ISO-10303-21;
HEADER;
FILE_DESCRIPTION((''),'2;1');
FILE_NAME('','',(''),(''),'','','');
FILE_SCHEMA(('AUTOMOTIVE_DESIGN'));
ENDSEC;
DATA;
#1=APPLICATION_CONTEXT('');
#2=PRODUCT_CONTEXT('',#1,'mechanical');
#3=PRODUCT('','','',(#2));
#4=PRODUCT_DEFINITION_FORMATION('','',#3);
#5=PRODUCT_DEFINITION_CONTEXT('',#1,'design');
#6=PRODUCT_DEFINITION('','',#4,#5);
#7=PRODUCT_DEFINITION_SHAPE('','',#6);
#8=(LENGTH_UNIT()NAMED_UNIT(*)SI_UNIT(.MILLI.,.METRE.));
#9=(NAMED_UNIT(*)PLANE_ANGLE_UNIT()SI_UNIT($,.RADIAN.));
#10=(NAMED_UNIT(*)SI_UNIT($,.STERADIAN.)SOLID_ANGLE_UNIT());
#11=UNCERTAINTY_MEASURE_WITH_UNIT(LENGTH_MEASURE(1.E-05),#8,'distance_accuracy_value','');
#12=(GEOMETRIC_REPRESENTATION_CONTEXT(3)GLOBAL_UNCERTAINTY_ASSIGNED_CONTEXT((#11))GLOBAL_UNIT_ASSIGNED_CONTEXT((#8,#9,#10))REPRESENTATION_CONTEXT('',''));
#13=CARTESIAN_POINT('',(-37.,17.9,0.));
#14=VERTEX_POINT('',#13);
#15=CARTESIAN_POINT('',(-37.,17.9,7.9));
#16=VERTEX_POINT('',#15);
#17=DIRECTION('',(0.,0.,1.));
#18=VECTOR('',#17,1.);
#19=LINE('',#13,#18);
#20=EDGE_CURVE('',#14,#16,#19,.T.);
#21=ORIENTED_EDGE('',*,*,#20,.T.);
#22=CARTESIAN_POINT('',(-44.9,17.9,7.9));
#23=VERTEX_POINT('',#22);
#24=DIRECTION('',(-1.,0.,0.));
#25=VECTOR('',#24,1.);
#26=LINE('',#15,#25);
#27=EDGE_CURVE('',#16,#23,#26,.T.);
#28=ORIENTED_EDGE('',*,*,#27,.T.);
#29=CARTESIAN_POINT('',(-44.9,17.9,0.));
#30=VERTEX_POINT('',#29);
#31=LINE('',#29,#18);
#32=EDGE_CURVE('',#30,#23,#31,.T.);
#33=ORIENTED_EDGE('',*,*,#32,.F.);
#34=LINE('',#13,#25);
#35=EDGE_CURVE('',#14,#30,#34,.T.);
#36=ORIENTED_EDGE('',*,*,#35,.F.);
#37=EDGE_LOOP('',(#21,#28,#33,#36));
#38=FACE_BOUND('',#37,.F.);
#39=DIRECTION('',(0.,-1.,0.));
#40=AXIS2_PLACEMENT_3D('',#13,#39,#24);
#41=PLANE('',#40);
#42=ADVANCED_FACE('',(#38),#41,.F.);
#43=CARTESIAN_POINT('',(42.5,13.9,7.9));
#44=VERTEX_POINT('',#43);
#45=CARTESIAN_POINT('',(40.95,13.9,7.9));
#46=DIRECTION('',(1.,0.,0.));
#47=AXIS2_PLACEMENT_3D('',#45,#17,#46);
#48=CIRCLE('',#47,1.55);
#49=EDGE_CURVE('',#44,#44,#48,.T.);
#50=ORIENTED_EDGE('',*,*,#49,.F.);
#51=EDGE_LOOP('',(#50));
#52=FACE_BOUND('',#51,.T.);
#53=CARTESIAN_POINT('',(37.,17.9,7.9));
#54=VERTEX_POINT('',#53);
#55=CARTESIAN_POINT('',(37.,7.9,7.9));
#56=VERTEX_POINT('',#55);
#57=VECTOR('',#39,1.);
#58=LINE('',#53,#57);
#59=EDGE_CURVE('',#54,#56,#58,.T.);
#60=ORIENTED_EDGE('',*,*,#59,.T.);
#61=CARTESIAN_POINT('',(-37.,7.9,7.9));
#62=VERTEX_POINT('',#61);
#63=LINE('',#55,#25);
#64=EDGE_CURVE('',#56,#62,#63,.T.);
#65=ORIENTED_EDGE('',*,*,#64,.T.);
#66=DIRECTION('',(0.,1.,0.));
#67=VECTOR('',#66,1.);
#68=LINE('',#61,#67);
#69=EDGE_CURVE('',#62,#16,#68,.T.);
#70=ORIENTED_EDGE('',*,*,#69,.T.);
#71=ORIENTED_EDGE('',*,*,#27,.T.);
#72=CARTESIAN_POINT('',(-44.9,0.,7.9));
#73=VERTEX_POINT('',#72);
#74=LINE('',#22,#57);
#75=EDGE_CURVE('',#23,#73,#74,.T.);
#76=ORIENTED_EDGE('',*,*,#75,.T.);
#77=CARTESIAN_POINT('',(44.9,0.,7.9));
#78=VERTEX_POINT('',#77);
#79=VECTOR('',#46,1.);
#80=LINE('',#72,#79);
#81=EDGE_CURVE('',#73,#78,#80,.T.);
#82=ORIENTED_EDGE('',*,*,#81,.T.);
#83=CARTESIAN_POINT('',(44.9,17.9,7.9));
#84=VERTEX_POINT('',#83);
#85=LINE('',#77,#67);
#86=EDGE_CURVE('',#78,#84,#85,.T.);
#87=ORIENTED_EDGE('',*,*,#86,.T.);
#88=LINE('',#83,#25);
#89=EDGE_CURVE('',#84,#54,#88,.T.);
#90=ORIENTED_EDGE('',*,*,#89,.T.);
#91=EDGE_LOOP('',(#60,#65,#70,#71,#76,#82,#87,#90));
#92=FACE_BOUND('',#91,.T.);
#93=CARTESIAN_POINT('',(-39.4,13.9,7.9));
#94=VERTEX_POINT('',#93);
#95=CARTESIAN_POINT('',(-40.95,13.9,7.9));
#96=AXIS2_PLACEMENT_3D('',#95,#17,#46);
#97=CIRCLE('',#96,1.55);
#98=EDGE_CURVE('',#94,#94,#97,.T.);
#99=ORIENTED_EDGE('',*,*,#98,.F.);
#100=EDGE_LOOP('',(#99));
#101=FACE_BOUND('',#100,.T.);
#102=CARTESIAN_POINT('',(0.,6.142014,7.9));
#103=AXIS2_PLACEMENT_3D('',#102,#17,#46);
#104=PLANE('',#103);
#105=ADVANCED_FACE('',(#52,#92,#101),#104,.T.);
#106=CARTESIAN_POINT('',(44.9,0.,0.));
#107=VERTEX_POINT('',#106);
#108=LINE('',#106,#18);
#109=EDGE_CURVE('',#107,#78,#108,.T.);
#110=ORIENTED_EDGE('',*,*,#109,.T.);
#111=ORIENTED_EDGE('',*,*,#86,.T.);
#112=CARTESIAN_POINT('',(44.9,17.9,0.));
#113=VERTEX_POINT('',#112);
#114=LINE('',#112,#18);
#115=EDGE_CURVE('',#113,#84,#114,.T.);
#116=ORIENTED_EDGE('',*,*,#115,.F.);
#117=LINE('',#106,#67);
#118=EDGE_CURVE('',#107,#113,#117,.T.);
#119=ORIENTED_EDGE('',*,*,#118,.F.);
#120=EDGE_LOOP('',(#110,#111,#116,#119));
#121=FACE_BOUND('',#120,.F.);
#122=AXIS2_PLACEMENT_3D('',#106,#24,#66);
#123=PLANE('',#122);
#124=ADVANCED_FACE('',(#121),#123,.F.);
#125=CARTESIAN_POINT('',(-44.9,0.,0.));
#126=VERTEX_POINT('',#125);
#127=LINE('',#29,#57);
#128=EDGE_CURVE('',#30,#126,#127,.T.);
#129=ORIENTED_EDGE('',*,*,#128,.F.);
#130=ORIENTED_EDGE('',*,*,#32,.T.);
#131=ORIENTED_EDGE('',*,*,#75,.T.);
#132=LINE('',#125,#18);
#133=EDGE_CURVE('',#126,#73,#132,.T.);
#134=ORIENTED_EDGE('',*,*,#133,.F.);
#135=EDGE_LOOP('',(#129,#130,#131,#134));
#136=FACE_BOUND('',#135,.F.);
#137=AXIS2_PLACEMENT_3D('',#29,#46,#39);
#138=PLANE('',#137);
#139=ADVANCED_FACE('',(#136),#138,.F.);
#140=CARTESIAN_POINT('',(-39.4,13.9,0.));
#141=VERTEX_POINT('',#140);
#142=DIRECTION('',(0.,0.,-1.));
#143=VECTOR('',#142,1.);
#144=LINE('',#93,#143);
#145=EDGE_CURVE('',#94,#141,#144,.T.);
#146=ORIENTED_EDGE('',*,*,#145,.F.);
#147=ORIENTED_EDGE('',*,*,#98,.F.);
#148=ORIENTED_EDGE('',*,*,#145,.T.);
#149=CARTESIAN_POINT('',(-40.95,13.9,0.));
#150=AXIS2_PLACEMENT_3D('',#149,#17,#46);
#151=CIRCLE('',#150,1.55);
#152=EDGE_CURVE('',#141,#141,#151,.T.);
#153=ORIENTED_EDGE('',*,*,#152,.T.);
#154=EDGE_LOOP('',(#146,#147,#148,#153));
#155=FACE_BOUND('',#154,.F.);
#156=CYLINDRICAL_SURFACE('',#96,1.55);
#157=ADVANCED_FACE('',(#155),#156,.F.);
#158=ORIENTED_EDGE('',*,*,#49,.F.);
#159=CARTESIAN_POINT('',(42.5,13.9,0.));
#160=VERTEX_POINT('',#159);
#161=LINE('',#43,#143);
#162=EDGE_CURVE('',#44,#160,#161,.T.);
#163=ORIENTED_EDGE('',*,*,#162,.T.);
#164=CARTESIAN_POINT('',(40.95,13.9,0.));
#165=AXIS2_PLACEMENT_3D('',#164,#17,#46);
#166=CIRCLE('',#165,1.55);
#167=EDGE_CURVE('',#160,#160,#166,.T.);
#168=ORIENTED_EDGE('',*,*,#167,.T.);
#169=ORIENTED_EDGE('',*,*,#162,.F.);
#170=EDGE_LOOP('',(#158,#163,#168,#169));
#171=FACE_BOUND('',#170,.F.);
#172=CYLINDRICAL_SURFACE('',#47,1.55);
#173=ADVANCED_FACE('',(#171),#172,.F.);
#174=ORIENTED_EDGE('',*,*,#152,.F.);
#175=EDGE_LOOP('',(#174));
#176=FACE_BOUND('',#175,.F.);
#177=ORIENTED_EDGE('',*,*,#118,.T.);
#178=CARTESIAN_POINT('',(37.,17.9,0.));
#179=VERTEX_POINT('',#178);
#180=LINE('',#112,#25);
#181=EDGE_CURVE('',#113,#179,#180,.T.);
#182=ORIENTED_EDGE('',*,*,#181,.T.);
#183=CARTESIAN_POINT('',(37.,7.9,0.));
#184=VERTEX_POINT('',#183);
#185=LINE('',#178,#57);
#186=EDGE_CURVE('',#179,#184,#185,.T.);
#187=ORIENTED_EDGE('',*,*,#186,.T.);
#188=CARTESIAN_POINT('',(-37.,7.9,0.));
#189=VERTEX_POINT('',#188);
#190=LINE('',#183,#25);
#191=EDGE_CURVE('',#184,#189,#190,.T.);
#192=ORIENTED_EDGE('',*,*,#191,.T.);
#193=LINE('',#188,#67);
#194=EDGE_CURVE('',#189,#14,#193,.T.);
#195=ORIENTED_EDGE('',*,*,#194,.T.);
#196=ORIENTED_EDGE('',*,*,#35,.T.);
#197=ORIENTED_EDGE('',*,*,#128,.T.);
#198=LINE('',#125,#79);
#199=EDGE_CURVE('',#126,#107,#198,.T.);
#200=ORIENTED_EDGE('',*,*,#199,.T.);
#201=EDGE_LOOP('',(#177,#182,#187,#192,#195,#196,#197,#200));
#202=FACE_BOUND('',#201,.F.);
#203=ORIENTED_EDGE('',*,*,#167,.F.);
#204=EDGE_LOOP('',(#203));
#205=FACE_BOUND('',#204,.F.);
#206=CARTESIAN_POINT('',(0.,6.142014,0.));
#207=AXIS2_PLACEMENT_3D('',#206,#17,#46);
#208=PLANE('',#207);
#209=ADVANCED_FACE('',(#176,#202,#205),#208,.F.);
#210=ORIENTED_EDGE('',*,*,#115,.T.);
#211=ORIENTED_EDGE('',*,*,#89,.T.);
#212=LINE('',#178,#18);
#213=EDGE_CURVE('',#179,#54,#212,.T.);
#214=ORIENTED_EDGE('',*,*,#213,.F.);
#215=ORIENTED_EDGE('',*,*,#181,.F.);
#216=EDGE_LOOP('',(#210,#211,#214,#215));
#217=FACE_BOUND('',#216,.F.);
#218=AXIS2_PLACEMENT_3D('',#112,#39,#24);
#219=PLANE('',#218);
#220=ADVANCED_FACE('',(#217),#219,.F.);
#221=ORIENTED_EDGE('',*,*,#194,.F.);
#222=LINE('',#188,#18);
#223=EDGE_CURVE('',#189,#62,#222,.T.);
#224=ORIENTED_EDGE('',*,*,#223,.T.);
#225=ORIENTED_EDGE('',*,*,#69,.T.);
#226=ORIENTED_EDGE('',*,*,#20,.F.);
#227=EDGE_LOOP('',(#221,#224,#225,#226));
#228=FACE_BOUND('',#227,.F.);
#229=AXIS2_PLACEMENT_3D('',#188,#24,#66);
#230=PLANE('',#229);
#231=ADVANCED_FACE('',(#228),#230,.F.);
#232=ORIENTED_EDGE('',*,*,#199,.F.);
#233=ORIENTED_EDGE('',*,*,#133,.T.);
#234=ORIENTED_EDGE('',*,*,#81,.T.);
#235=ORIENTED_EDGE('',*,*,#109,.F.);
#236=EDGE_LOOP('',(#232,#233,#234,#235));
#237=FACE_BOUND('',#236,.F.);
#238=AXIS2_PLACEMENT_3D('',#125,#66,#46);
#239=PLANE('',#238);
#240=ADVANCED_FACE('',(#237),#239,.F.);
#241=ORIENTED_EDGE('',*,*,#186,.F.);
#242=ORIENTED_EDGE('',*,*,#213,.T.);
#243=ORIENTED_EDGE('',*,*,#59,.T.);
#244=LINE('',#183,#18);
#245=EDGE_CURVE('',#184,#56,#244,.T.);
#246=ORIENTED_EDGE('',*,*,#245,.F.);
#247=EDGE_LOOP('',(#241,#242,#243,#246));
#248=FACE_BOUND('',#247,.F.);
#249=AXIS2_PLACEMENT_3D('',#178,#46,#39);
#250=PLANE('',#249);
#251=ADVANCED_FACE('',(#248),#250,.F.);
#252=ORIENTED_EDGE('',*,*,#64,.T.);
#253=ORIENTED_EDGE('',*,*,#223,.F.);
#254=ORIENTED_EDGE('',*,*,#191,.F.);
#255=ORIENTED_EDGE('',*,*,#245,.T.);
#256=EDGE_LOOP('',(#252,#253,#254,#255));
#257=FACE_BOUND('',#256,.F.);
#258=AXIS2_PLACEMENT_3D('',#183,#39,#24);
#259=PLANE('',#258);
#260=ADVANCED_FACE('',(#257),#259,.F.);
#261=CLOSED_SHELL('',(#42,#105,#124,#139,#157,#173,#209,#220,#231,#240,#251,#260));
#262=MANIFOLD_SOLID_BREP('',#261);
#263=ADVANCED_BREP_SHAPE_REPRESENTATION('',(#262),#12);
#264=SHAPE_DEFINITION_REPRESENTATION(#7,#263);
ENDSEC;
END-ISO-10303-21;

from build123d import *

# Parameters (mm, degrees)
PAD_DEPTH    = 7.9
SKETCH001_R  = 1.55
POCKET_DEPTH = 7.901


with BuildPart() as part:
    # Sketch → Pad (new body)
    with BuildSketch(Plane.XY):
        Polygon((-44.9, 17.9), (-44.9, 0), (44.9, 0), (44.9, 17.9), (37, 17.9), (37, 7.9), (-37, 7.9), (-37, 17.9), align=None)
    extrude(amount=PAD_DEPTH)

    # Sketch001 (on Face10 of Pad) → Pocket (cut, through all)
    with BuildSketch(Plane.XY.offset(7.9)):
        with Locations((40.95, 13.9)):
            Circle(SKETCH001_R)
        with Locations((-40.95, 13.9)):
            Circle(SKETCH001_R)
    extrude(amount=-POCKET_DEPTH, mode=Mode.SUBTRACT)


solid = part.part
